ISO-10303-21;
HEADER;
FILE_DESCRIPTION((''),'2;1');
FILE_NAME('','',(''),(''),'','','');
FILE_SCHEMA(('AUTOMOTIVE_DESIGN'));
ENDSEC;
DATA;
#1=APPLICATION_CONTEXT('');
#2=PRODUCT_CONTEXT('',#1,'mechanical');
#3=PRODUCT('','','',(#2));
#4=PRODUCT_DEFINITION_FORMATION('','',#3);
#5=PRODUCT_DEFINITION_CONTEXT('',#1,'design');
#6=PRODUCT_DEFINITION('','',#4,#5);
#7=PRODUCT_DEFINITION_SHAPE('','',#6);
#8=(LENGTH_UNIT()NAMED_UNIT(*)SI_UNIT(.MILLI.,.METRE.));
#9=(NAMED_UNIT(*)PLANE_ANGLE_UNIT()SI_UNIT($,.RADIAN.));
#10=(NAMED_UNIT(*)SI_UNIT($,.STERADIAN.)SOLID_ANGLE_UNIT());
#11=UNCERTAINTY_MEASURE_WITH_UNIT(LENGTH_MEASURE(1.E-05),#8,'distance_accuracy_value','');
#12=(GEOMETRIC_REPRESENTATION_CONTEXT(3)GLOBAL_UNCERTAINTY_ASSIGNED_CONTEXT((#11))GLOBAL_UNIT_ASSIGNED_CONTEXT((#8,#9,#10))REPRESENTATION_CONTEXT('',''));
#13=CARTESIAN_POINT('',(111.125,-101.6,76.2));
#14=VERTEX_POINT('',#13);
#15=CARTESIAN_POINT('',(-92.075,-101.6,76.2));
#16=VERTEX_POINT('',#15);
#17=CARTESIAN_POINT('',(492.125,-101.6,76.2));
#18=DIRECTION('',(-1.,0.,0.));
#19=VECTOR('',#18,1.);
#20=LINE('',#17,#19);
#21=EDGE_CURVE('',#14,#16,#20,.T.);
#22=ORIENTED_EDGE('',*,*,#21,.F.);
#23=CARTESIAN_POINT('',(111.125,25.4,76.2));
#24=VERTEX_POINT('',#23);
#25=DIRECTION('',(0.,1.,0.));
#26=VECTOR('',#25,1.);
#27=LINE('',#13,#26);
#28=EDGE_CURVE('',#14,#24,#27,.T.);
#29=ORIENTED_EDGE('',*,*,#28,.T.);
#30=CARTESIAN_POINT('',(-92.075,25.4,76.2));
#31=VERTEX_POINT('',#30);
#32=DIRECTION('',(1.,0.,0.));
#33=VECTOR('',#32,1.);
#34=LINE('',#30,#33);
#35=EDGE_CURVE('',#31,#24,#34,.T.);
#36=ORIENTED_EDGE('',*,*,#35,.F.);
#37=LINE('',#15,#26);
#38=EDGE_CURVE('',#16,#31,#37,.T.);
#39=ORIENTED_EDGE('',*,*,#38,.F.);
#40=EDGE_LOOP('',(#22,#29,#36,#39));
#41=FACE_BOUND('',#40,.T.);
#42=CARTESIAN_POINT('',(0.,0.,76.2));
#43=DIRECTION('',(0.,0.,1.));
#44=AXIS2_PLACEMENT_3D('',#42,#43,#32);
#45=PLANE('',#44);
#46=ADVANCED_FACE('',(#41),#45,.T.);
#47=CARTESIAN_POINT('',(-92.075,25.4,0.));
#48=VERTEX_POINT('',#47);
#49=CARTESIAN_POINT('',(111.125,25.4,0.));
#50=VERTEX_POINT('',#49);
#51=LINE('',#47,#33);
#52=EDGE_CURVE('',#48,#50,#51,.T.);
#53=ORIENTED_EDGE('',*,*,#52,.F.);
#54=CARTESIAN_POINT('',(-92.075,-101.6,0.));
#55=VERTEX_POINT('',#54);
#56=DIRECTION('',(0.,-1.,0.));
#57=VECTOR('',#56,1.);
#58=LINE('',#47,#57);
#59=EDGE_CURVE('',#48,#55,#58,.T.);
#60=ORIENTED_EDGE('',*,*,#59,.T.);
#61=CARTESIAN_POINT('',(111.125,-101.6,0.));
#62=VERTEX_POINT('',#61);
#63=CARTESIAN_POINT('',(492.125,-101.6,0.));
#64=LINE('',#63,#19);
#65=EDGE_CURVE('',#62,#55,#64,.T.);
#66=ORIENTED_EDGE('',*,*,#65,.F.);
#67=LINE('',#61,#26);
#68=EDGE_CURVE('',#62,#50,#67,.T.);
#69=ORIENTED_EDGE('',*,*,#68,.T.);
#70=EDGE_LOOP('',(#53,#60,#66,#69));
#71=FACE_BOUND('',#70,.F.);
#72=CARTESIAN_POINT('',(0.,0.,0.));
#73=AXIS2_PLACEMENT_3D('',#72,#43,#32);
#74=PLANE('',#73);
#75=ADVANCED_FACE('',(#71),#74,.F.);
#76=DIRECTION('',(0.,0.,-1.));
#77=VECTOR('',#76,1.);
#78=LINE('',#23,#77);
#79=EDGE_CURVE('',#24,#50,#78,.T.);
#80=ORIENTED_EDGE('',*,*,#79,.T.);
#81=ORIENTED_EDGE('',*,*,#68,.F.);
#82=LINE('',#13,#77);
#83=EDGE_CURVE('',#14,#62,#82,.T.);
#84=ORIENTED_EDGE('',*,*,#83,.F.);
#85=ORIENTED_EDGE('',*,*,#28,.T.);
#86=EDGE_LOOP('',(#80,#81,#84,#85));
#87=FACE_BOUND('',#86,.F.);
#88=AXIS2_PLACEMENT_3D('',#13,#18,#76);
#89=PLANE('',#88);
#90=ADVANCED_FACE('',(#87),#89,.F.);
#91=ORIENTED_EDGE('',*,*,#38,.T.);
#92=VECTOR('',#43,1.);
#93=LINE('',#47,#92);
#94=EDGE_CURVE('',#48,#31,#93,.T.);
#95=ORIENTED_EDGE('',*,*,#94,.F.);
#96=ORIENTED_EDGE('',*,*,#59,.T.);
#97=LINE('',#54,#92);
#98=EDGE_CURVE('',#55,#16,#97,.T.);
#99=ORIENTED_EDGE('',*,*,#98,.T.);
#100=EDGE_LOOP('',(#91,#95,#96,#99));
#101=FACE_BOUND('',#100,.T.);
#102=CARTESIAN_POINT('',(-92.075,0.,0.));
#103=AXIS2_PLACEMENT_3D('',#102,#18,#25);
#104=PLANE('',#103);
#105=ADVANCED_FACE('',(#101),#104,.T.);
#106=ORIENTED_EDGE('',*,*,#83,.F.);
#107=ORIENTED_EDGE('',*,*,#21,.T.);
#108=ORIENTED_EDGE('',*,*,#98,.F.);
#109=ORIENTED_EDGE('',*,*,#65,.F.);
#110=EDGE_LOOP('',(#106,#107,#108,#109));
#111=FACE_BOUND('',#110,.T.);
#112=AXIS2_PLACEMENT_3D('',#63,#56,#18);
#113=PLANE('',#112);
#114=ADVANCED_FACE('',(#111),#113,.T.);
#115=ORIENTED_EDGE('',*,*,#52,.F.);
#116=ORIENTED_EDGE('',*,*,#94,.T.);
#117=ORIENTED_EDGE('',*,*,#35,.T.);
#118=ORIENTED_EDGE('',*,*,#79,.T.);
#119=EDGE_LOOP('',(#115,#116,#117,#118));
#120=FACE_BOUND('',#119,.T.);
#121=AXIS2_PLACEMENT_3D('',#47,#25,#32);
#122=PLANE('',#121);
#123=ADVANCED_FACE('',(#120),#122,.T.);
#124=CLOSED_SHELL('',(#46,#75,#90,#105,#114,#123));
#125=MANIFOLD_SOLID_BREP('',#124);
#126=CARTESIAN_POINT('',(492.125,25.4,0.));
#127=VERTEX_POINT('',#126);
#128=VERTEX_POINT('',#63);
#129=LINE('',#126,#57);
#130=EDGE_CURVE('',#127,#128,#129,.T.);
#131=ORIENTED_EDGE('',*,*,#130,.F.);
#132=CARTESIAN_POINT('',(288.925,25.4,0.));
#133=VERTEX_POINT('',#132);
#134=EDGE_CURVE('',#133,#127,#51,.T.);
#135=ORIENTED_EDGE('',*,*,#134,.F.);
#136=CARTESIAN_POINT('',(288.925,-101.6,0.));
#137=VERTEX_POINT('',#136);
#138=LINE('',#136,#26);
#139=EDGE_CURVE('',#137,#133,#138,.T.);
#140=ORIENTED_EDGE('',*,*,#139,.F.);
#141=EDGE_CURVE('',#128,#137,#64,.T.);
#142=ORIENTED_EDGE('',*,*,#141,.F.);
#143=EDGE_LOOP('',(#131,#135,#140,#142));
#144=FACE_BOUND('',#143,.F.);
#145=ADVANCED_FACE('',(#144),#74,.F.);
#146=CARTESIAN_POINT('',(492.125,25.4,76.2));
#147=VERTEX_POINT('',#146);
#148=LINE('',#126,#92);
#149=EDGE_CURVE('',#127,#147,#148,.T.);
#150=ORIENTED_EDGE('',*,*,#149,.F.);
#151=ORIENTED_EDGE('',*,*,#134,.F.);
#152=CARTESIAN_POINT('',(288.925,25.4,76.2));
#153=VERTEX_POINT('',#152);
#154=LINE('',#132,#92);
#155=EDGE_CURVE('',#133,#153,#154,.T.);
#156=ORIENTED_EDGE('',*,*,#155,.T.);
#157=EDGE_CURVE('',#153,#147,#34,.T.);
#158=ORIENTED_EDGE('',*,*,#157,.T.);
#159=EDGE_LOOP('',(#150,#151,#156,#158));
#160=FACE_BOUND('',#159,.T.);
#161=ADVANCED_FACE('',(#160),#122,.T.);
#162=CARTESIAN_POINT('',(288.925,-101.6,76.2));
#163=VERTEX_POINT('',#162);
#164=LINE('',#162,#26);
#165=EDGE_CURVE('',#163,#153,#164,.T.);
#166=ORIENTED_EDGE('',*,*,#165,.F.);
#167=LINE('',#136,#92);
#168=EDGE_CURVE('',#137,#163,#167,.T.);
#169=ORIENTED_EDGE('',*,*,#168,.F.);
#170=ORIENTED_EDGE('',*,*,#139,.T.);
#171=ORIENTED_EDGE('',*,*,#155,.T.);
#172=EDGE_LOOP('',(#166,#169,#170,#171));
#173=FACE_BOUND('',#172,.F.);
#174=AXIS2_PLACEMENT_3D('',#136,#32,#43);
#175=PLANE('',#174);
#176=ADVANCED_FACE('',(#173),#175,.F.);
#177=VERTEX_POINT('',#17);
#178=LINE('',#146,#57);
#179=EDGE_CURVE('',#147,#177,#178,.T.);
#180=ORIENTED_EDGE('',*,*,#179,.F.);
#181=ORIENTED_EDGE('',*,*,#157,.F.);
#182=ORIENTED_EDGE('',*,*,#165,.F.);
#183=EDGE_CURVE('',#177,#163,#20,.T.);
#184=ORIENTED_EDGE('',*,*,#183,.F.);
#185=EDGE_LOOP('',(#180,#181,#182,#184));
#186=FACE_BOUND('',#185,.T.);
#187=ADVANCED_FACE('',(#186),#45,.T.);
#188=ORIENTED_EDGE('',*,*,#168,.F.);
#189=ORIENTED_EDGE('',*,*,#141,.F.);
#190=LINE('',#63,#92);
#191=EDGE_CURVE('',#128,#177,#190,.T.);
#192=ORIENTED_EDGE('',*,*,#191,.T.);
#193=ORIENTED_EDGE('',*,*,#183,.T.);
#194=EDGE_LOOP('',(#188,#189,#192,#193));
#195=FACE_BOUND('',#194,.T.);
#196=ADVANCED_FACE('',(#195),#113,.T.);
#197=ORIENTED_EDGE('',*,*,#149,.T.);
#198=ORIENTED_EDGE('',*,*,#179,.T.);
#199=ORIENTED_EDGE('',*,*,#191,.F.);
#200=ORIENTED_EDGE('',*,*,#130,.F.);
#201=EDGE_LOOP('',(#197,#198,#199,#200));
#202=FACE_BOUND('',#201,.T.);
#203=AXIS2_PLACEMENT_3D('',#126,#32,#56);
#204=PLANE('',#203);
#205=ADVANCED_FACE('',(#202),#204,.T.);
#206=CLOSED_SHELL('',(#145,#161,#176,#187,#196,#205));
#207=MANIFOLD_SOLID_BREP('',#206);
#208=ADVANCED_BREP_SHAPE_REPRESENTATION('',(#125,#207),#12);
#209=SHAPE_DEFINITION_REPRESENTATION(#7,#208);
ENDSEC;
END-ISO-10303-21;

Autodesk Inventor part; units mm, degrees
ref_plane "YZ Plane" through (0, 0, 0) normal (1, 0, 0) x (0, 1, 0)
ref_plane "XZ Plane" through (0, 0, 0) normal (0, 1, 0) x (-1, 0, 0)
ref_plane "XY Plane" through (0, 0, 0) normal (0, 0, 1) x (1, 0, 0)
sketch "Sketch1" plane through (0, 0, 0) normal (0, 0, 1) x (1, 0, 0)
  line L0 (0, 0) -> (-92.075, 0)
  line L1 (-92.075, 0) -> (-92.075, -101.6)
  line L2 (-92.075, -101.6) -> (-92.075, 25.4)
  line L3 (-92.075, 25.4) -> (492.125, 25.4)
  line L4 (492.125, 25.4) -> (492.125, -101.6)
  line L5 (492.125, -101.6) -> (-92.075, -101.6)
  dimension "d0" = 92.075
  dimension "d1" = 101.6
  dimension "d2" = 127
  dimension "d3" = 584.2
  dimension "d4" = 127
extrude "Extrusion1" add sketch "Sketch1" along normal blind 76.2
sketch "Sketch2" plane through (-92.075, -101.6, 0) normal (0, -1, 0) x (1, 0, 0)
  line L0 (584.2, 0) -> (0, 0) projected
  line L1 (584.2, 0) -> (584.2, 76.2) projected
  line L2 (0, 76.2) -> (584.2, 76.2) projected
  line L3 (0, 0) -> (0, 76.2) projected
  line L4 (0, 76.2) -> (203.2, 76.2)
  line L5 (203.2, 76.2) -> (203.2, 0)
  line L6 (203.2, 0) -> (0, 0)
  line L7 (0, 0) -> (0, 76.2)
  line L8 (584.2, 0) -> (381, 0)
  line L9 (381, 0) -> (381, 76.2)
  line L10 (381, 76.2) -> (584.2, 76.2)
  line L11 (584.2, 76.2) -> (584.2, 0)
  point P0 (92.075, 0)
  dimension "d7" = 203.2
  dimension "d8" = 203.2
  dimension "d9" = 76.2
extrude "Extrusion2" cut sketch "Sketch2" against normal blind 127 contours L0 L5 L2 L9
properties part number "BumperFront"
